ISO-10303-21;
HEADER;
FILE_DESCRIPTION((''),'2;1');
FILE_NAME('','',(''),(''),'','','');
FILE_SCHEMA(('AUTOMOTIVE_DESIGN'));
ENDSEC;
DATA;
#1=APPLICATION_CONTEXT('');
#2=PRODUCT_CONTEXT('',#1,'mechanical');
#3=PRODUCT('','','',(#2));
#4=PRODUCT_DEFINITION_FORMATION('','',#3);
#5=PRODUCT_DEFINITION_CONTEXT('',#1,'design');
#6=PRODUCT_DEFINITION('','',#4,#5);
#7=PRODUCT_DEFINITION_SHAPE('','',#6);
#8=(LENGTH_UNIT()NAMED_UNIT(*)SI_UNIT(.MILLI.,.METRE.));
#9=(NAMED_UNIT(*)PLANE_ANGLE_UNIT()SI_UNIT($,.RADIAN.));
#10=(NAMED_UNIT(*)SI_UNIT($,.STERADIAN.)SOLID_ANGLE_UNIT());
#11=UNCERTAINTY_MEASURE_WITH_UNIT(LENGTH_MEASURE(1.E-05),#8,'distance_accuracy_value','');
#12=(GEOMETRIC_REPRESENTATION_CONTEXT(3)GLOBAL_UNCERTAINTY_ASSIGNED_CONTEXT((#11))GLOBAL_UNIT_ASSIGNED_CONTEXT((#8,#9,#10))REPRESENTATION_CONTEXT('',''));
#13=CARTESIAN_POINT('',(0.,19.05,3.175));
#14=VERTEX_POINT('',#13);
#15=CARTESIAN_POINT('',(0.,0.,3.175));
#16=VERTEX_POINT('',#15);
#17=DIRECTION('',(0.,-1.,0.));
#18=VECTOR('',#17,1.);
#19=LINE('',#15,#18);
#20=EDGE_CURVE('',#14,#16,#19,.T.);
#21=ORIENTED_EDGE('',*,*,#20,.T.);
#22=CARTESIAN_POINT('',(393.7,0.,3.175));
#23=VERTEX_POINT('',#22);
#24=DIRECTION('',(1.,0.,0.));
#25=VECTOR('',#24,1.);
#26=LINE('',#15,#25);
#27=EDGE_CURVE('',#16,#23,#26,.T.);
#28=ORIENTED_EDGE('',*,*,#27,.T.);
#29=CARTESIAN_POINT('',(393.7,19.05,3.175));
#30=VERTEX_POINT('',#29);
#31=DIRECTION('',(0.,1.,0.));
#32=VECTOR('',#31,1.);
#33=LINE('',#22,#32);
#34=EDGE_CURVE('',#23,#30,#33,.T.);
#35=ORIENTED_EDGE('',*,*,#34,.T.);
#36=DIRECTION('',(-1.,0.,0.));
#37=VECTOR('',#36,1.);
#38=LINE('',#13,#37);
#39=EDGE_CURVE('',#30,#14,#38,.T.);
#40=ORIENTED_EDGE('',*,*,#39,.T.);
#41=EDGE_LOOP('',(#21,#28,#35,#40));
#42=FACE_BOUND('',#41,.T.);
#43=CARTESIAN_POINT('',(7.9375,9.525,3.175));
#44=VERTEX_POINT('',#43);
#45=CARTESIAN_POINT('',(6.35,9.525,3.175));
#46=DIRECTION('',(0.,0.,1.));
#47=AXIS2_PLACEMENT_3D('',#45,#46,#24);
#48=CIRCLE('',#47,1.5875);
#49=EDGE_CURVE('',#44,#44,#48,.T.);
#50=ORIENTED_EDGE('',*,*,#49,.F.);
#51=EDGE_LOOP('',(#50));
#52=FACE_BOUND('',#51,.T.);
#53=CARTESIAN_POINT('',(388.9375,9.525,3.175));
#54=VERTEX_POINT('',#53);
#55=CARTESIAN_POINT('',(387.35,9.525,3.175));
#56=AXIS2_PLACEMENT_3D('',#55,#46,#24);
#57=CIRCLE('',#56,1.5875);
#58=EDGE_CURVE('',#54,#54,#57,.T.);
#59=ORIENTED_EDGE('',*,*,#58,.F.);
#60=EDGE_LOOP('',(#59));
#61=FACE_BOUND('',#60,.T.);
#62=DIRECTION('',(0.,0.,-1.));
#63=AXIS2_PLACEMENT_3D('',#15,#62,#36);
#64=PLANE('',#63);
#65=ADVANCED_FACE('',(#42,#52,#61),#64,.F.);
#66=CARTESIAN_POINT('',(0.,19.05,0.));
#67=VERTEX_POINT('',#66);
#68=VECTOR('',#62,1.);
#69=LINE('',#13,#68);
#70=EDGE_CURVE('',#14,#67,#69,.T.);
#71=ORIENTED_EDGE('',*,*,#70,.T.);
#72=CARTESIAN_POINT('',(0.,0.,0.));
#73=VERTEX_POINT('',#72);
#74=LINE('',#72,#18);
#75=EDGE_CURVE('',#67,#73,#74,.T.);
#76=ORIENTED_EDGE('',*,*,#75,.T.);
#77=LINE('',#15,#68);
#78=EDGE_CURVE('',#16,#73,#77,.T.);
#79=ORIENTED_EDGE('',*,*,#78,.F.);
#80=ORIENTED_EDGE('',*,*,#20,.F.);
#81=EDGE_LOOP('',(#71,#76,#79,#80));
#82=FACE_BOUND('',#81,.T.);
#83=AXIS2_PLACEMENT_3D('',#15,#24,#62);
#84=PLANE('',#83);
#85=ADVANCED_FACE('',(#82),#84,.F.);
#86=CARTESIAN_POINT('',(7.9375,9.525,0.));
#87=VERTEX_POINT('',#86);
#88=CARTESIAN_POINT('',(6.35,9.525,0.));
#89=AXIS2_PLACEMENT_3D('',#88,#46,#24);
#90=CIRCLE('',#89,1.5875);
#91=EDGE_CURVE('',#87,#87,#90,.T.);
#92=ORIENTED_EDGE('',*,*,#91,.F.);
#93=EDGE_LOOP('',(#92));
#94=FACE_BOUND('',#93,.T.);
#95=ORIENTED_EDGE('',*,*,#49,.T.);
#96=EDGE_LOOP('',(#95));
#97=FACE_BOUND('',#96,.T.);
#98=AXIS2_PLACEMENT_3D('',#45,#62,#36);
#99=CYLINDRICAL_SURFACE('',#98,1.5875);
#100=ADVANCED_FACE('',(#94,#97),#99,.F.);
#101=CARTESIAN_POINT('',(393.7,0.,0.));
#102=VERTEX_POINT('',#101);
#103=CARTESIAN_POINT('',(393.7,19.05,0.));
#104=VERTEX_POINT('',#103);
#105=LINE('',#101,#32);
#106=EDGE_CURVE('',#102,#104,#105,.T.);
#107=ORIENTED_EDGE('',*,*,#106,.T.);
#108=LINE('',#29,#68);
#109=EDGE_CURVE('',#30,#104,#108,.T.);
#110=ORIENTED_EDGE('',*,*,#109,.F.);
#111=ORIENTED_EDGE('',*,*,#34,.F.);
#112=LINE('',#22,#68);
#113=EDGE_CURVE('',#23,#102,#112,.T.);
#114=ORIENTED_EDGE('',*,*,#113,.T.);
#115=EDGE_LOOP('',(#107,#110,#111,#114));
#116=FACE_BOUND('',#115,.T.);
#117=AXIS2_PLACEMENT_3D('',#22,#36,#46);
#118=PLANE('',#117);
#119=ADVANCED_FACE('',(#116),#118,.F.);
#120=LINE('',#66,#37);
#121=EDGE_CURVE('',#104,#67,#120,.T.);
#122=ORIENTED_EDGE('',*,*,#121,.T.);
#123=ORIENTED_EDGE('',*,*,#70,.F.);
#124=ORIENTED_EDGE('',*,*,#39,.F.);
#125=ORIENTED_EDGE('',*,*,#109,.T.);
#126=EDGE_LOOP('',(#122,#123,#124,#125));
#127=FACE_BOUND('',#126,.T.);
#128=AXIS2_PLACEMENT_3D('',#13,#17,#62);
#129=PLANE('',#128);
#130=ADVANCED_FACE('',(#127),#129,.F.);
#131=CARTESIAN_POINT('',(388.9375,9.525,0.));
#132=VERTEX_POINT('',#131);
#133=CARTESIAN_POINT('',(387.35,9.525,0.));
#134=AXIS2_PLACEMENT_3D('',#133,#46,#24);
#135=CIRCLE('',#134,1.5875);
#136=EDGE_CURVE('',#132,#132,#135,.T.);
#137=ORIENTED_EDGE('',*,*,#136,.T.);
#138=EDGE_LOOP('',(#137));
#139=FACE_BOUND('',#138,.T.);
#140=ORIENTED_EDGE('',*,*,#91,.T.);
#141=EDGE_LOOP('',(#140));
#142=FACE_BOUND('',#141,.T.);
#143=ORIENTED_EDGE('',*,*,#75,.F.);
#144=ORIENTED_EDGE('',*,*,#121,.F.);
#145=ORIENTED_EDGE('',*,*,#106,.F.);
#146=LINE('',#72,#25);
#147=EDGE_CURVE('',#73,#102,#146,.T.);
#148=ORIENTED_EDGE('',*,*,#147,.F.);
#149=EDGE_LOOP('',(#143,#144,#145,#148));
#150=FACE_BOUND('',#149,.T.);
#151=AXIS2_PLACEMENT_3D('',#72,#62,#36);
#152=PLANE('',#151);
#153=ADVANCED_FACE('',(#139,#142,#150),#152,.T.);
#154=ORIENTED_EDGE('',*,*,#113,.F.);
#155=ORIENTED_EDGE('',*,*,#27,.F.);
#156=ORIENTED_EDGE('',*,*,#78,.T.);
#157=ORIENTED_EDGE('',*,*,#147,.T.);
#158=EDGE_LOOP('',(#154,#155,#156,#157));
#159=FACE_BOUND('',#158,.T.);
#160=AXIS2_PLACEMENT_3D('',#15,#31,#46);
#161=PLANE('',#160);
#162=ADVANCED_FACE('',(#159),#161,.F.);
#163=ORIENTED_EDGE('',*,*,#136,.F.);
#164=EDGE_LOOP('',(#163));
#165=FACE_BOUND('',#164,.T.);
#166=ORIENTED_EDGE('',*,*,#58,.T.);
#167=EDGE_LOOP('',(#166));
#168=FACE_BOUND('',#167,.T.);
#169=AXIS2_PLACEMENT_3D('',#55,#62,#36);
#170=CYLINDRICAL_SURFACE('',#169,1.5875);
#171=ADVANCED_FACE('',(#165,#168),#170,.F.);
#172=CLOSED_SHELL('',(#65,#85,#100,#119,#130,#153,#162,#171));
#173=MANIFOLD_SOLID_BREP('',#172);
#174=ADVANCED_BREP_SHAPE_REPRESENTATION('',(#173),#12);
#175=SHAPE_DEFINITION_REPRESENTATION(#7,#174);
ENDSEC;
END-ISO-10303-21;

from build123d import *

# Parameters (mm, degrees)
SKETCH7_W           = 393.7
SKETCH7_H           = 19.05
SKETCH7_R           = 1.5875
BOSS_EXTRUDE1_DEPTH = 3.175


with BuildPart() as part:
    # Sketch7 → Boss-Extrude1 (new body)
    with BuildSketch(Plane.XY):
        with Locations((196.85, 9.525)):
            Rectangle(SKETCH7_W, SKETCH7_H)
        with Locations((6.35, 9.525)):
            Circle(SKETCH7_R, mode=Mode.SUBTRACT)
        with Locations((387.35, 9.525)):
            Circle(SKETCH7_R, mode=Mode.SUBTRACT)
    extrude(amount=BOSS_EXTRUDE1_DEPTH)


solid = part.part
